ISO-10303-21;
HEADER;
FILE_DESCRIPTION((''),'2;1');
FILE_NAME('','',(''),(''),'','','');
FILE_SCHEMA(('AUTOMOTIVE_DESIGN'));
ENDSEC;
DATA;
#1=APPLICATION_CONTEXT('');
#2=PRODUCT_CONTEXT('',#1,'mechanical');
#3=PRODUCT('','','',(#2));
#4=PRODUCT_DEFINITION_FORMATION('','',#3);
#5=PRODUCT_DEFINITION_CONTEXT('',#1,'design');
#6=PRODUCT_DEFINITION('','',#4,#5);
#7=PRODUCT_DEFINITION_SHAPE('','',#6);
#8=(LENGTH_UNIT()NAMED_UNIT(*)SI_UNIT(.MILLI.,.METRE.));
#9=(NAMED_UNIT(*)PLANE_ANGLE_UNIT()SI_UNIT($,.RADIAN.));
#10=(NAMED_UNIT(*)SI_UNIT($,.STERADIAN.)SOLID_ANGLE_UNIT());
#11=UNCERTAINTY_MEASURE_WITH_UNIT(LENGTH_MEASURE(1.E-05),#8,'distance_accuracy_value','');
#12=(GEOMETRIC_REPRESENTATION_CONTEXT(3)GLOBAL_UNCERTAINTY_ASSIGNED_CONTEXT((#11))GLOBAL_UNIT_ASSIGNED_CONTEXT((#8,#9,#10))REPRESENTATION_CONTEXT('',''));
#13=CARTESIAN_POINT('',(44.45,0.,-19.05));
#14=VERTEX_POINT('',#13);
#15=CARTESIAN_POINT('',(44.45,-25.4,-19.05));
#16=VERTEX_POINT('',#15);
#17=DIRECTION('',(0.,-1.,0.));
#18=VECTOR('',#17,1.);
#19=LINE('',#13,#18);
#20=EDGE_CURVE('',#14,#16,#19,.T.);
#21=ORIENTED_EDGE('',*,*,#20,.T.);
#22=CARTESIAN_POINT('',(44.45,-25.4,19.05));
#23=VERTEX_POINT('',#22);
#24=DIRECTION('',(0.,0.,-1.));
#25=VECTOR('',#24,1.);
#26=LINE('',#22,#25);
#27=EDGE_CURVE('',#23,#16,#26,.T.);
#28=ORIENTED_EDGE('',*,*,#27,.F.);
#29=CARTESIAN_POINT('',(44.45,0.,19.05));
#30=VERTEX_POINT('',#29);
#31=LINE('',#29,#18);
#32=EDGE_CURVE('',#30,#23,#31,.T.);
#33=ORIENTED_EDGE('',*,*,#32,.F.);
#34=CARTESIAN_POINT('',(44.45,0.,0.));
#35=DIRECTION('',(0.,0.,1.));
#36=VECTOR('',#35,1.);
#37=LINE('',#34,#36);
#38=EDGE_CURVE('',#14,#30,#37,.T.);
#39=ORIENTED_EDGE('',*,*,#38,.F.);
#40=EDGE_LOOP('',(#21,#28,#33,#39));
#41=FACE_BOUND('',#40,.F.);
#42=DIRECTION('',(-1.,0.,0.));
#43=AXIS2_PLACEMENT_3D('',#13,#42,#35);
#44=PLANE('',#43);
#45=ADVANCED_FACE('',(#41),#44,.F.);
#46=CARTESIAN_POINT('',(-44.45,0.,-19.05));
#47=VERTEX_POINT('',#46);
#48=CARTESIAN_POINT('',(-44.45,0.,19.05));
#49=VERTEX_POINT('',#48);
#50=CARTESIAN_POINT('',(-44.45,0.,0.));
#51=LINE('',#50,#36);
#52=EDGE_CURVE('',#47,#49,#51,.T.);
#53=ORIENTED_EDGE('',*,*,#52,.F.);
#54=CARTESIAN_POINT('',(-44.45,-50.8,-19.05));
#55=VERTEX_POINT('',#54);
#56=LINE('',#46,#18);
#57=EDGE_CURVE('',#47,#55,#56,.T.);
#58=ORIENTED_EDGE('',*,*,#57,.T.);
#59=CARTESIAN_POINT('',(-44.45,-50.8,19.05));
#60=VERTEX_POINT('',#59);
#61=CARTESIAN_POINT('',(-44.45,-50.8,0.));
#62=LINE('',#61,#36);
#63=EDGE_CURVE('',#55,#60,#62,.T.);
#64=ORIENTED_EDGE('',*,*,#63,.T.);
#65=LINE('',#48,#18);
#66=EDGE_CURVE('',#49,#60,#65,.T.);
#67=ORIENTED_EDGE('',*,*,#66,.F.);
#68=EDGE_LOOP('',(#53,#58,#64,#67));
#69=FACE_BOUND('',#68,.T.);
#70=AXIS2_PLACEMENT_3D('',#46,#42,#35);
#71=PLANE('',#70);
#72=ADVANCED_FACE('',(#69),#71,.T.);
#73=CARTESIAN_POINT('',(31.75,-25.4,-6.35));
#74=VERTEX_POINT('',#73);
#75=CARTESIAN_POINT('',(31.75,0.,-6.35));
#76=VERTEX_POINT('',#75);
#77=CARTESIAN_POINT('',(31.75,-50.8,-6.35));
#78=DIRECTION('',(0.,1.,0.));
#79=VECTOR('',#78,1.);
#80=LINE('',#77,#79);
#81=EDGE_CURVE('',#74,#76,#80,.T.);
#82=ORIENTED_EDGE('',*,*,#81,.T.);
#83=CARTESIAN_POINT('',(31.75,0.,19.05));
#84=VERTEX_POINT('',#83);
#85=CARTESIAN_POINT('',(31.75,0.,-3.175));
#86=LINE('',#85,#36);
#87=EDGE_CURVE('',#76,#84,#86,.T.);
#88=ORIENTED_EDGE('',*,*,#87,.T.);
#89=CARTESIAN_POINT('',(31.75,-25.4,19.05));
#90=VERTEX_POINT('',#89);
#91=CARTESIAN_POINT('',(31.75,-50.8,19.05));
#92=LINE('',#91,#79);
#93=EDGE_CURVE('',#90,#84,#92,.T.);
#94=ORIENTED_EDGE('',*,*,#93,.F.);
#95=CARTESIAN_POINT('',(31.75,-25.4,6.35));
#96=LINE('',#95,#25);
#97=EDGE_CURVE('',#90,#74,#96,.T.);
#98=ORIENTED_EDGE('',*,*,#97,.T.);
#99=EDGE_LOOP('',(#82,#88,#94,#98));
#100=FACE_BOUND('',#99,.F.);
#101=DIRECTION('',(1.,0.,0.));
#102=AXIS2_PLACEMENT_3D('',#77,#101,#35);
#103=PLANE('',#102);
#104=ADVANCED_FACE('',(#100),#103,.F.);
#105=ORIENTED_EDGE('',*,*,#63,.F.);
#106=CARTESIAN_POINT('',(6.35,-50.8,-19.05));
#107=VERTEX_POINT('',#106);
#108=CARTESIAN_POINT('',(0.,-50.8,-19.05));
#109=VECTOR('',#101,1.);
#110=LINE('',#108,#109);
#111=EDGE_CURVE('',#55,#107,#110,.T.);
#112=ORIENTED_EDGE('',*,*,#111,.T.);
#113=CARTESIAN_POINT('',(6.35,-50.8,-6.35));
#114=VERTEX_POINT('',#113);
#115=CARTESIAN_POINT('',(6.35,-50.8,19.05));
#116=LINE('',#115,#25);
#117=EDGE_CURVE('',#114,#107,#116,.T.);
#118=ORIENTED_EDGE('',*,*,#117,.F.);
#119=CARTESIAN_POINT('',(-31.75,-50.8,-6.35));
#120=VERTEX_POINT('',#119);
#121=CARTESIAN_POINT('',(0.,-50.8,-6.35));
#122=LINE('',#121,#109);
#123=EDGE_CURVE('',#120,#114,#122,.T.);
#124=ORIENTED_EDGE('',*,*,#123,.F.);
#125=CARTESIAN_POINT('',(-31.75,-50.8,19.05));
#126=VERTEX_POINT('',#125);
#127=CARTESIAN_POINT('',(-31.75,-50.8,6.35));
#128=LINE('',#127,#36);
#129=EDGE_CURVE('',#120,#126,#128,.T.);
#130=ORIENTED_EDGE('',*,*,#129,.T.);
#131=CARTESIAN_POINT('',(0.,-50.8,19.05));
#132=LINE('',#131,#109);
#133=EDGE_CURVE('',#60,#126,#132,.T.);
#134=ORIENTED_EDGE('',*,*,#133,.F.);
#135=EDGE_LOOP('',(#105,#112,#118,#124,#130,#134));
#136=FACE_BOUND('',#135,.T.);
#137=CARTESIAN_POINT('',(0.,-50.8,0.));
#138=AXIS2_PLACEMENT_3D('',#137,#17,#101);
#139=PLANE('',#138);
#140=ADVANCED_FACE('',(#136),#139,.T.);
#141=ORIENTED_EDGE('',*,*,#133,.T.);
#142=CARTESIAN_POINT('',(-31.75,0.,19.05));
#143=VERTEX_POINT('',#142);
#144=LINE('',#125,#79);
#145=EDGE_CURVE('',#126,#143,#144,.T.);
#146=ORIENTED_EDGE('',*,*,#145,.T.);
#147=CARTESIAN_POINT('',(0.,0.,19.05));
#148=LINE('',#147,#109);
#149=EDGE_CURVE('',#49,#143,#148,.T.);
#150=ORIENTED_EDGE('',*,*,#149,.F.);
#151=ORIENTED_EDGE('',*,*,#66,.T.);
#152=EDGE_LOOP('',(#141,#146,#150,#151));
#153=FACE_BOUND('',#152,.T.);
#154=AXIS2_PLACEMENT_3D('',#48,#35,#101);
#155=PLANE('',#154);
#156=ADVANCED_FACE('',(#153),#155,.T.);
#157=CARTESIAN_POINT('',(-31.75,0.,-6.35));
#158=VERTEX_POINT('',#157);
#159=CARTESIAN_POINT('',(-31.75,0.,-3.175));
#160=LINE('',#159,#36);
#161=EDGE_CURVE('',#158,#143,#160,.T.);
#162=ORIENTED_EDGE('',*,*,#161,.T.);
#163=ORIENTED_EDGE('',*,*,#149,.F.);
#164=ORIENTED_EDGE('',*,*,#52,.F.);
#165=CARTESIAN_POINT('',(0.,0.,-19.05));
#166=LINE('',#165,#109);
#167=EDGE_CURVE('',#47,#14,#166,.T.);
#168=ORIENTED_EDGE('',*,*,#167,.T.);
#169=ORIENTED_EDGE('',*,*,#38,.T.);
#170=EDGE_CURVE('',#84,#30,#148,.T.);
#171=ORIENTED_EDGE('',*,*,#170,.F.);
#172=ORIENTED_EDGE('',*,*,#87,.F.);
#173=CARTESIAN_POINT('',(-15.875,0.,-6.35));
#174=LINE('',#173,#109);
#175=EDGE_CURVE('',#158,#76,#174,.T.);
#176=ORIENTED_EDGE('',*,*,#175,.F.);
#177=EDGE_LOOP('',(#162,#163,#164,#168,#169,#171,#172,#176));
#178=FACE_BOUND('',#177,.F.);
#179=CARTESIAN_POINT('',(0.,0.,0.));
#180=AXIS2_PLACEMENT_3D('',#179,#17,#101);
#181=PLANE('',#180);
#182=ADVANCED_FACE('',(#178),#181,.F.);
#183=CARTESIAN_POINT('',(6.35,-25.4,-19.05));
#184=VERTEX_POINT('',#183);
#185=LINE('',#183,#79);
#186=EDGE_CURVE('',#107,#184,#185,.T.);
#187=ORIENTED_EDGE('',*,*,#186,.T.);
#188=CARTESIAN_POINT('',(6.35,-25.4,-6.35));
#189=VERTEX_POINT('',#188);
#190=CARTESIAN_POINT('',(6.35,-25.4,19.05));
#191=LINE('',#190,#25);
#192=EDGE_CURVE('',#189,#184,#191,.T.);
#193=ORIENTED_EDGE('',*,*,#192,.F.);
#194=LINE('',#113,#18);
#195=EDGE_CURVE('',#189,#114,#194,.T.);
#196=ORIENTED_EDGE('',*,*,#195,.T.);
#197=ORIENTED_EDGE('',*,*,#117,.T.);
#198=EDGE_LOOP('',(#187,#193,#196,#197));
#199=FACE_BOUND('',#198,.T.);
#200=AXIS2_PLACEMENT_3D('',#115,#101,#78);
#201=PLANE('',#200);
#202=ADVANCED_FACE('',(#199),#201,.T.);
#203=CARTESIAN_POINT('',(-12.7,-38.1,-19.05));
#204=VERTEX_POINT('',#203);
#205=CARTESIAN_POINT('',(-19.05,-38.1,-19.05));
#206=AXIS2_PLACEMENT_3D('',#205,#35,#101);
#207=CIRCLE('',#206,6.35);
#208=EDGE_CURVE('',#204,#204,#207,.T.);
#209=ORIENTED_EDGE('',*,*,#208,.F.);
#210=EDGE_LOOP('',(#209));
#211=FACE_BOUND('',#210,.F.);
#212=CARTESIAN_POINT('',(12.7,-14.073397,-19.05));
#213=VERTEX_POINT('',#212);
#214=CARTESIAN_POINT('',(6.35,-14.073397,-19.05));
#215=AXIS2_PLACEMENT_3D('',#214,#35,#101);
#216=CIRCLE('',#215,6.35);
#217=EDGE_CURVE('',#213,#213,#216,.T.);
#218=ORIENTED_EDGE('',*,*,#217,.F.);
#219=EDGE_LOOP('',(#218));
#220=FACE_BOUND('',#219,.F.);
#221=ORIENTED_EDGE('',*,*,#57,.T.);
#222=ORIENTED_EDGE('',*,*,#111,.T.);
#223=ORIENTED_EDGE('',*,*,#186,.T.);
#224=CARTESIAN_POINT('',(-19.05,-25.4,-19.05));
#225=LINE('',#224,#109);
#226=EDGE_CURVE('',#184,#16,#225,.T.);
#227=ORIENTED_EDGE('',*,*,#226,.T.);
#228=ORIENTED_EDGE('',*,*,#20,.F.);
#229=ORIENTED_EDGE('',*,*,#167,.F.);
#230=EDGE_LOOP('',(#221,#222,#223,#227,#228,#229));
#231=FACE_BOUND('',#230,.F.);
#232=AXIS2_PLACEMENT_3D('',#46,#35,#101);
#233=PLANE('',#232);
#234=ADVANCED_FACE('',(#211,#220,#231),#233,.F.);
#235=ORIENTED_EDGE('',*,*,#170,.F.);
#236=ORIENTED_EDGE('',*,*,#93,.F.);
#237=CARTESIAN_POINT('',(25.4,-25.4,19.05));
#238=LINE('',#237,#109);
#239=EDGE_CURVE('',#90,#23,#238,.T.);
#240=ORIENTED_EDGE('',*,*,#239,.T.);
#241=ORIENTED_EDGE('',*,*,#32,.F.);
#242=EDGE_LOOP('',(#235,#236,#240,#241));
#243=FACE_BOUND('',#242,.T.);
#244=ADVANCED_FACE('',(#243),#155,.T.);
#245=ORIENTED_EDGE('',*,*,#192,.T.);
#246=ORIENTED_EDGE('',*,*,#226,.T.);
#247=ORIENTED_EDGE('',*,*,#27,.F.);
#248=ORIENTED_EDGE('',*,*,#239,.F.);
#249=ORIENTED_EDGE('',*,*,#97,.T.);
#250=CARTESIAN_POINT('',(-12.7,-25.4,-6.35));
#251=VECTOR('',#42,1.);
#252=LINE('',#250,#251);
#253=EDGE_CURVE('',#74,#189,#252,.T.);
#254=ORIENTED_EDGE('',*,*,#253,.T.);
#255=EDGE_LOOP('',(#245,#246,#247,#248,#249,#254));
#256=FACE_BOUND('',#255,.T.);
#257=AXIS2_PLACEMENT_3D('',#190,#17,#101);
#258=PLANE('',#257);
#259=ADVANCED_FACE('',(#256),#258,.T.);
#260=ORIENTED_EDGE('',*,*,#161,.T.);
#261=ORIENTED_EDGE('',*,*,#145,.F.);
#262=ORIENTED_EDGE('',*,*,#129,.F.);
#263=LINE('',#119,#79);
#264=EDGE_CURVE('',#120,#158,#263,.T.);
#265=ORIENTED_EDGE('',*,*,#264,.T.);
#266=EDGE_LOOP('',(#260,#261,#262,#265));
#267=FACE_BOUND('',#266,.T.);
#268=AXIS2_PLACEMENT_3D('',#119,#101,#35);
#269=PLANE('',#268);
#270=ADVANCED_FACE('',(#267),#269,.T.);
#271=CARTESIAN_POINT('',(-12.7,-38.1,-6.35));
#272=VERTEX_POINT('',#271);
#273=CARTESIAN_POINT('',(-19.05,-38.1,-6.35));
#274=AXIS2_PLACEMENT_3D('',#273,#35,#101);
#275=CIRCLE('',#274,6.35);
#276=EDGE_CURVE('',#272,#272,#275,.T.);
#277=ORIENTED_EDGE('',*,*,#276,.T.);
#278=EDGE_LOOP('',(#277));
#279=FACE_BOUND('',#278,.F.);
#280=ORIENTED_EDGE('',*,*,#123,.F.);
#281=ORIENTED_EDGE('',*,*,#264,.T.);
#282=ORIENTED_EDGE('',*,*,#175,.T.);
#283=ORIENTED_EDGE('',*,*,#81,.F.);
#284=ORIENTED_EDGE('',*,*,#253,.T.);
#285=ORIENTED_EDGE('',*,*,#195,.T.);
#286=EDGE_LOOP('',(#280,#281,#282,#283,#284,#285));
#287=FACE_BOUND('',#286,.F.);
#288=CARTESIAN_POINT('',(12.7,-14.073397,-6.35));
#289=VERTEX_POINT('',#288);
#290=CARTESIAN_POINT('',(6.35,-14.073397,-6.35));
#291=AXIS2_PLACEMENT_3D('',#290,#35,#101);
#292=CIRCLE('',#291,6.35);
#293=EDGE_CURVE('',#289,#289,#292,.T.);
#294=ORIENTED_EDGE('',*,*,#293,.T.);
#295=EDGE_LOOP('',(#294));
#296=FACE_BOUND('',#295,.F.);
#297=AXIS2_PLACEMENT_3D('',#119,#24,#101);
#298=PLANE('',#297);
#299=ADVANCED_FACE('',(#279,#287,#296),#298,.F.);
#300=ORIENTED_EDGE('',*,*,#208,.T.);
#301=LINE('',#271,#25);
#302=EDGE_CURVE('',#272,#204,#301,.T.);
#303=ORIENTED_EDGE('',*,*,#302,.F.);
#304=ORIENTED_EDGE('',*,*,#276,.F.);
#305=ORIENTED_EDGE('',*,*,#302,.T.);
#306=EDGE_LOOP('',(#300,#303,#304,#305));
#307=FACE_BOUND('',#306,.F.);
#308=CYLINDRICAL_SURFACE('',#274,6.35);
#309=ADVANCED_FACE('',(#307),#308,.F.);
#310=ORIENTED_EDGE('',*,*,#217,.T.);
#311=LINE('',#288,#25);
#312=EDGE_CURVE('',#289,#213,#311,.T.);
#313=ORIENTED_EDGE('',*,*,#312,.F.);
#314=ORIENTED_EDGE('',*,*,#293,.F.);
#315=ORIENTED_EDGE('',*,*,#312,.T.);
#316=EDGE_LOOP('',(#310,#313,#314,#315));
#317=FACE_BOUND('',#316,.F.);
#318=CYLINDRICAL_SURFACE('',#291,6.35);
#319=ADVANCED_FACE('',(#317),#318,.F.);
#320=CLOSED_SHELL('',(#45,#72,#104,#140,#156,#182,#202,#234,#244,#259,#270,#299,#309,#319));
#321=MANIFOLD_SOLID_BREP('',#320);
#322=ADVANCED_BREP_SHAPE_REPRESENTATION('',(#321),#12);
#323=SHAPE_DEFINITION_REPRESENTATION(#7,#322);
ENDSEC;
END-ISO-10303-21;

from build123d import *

# Parameters (mm, degrees)
F0_W     = 88.9
F0_H     = 38.1
F1_DEPTH = 50.8
F2_W     = 63.5
F2_H     = 25.4
F3_DEPTH = 50.801
F4_W     = 38.1
F4_H     = 25.4
F5_DEPTH = 38.101
F6_R     = 6.35
F7_DEPTH = 12.701
F8_R     = 6.35
F9_DEPTH = 12.701


with BuildPart() as f1:
    # F0 (on Front) → F1 (new body)
    with BuildSketch(Plane.XZ):
        Rectangle(F0_W, F0_H)
    extrude(amount=F1_DEPTH)

    # F2 (on face) → F3 (cut, through all)
    with BuildSketch(Plane.XZ.offset(50.8)):
        with Locations((0, 6.35)):
            Rectangle(F2_W, F2_H)
    extrude(amount=-F3_DEPTH, mode=Mode.SUBTRACT)

    # F4 (on face) → F5 (cut, through all)
    with BuildSketch(Plane.XY.offset(19.05)):
        with Locations((25.4, -38.1)):
            Rectangle(F4_W, F4_H)
    extrude(amount=-F5_DEPTH, mode=Mode.SUBTRACT)

    # F6 (on face) → F7 (cut, through all)
    with BuildSketch(Plane.XY.offset(-6.35)):
        with Locations((-19.05, -38.1)):
            Circle(F6_R)
    extrude(amount=-F7_DEPTH, mode=Mode.SUBTRACT)

    # F8 (on face) → F9 (cut, through all)
    with BuildSketch(Plane.XY.offset(-6.35)):
        with Locations((6.35, -14.073397)):
            Circle(F8_R)
    extrude(amount=-F9_DEPTH, mode=Mode.SUBTRACT)


solid = f1.part
